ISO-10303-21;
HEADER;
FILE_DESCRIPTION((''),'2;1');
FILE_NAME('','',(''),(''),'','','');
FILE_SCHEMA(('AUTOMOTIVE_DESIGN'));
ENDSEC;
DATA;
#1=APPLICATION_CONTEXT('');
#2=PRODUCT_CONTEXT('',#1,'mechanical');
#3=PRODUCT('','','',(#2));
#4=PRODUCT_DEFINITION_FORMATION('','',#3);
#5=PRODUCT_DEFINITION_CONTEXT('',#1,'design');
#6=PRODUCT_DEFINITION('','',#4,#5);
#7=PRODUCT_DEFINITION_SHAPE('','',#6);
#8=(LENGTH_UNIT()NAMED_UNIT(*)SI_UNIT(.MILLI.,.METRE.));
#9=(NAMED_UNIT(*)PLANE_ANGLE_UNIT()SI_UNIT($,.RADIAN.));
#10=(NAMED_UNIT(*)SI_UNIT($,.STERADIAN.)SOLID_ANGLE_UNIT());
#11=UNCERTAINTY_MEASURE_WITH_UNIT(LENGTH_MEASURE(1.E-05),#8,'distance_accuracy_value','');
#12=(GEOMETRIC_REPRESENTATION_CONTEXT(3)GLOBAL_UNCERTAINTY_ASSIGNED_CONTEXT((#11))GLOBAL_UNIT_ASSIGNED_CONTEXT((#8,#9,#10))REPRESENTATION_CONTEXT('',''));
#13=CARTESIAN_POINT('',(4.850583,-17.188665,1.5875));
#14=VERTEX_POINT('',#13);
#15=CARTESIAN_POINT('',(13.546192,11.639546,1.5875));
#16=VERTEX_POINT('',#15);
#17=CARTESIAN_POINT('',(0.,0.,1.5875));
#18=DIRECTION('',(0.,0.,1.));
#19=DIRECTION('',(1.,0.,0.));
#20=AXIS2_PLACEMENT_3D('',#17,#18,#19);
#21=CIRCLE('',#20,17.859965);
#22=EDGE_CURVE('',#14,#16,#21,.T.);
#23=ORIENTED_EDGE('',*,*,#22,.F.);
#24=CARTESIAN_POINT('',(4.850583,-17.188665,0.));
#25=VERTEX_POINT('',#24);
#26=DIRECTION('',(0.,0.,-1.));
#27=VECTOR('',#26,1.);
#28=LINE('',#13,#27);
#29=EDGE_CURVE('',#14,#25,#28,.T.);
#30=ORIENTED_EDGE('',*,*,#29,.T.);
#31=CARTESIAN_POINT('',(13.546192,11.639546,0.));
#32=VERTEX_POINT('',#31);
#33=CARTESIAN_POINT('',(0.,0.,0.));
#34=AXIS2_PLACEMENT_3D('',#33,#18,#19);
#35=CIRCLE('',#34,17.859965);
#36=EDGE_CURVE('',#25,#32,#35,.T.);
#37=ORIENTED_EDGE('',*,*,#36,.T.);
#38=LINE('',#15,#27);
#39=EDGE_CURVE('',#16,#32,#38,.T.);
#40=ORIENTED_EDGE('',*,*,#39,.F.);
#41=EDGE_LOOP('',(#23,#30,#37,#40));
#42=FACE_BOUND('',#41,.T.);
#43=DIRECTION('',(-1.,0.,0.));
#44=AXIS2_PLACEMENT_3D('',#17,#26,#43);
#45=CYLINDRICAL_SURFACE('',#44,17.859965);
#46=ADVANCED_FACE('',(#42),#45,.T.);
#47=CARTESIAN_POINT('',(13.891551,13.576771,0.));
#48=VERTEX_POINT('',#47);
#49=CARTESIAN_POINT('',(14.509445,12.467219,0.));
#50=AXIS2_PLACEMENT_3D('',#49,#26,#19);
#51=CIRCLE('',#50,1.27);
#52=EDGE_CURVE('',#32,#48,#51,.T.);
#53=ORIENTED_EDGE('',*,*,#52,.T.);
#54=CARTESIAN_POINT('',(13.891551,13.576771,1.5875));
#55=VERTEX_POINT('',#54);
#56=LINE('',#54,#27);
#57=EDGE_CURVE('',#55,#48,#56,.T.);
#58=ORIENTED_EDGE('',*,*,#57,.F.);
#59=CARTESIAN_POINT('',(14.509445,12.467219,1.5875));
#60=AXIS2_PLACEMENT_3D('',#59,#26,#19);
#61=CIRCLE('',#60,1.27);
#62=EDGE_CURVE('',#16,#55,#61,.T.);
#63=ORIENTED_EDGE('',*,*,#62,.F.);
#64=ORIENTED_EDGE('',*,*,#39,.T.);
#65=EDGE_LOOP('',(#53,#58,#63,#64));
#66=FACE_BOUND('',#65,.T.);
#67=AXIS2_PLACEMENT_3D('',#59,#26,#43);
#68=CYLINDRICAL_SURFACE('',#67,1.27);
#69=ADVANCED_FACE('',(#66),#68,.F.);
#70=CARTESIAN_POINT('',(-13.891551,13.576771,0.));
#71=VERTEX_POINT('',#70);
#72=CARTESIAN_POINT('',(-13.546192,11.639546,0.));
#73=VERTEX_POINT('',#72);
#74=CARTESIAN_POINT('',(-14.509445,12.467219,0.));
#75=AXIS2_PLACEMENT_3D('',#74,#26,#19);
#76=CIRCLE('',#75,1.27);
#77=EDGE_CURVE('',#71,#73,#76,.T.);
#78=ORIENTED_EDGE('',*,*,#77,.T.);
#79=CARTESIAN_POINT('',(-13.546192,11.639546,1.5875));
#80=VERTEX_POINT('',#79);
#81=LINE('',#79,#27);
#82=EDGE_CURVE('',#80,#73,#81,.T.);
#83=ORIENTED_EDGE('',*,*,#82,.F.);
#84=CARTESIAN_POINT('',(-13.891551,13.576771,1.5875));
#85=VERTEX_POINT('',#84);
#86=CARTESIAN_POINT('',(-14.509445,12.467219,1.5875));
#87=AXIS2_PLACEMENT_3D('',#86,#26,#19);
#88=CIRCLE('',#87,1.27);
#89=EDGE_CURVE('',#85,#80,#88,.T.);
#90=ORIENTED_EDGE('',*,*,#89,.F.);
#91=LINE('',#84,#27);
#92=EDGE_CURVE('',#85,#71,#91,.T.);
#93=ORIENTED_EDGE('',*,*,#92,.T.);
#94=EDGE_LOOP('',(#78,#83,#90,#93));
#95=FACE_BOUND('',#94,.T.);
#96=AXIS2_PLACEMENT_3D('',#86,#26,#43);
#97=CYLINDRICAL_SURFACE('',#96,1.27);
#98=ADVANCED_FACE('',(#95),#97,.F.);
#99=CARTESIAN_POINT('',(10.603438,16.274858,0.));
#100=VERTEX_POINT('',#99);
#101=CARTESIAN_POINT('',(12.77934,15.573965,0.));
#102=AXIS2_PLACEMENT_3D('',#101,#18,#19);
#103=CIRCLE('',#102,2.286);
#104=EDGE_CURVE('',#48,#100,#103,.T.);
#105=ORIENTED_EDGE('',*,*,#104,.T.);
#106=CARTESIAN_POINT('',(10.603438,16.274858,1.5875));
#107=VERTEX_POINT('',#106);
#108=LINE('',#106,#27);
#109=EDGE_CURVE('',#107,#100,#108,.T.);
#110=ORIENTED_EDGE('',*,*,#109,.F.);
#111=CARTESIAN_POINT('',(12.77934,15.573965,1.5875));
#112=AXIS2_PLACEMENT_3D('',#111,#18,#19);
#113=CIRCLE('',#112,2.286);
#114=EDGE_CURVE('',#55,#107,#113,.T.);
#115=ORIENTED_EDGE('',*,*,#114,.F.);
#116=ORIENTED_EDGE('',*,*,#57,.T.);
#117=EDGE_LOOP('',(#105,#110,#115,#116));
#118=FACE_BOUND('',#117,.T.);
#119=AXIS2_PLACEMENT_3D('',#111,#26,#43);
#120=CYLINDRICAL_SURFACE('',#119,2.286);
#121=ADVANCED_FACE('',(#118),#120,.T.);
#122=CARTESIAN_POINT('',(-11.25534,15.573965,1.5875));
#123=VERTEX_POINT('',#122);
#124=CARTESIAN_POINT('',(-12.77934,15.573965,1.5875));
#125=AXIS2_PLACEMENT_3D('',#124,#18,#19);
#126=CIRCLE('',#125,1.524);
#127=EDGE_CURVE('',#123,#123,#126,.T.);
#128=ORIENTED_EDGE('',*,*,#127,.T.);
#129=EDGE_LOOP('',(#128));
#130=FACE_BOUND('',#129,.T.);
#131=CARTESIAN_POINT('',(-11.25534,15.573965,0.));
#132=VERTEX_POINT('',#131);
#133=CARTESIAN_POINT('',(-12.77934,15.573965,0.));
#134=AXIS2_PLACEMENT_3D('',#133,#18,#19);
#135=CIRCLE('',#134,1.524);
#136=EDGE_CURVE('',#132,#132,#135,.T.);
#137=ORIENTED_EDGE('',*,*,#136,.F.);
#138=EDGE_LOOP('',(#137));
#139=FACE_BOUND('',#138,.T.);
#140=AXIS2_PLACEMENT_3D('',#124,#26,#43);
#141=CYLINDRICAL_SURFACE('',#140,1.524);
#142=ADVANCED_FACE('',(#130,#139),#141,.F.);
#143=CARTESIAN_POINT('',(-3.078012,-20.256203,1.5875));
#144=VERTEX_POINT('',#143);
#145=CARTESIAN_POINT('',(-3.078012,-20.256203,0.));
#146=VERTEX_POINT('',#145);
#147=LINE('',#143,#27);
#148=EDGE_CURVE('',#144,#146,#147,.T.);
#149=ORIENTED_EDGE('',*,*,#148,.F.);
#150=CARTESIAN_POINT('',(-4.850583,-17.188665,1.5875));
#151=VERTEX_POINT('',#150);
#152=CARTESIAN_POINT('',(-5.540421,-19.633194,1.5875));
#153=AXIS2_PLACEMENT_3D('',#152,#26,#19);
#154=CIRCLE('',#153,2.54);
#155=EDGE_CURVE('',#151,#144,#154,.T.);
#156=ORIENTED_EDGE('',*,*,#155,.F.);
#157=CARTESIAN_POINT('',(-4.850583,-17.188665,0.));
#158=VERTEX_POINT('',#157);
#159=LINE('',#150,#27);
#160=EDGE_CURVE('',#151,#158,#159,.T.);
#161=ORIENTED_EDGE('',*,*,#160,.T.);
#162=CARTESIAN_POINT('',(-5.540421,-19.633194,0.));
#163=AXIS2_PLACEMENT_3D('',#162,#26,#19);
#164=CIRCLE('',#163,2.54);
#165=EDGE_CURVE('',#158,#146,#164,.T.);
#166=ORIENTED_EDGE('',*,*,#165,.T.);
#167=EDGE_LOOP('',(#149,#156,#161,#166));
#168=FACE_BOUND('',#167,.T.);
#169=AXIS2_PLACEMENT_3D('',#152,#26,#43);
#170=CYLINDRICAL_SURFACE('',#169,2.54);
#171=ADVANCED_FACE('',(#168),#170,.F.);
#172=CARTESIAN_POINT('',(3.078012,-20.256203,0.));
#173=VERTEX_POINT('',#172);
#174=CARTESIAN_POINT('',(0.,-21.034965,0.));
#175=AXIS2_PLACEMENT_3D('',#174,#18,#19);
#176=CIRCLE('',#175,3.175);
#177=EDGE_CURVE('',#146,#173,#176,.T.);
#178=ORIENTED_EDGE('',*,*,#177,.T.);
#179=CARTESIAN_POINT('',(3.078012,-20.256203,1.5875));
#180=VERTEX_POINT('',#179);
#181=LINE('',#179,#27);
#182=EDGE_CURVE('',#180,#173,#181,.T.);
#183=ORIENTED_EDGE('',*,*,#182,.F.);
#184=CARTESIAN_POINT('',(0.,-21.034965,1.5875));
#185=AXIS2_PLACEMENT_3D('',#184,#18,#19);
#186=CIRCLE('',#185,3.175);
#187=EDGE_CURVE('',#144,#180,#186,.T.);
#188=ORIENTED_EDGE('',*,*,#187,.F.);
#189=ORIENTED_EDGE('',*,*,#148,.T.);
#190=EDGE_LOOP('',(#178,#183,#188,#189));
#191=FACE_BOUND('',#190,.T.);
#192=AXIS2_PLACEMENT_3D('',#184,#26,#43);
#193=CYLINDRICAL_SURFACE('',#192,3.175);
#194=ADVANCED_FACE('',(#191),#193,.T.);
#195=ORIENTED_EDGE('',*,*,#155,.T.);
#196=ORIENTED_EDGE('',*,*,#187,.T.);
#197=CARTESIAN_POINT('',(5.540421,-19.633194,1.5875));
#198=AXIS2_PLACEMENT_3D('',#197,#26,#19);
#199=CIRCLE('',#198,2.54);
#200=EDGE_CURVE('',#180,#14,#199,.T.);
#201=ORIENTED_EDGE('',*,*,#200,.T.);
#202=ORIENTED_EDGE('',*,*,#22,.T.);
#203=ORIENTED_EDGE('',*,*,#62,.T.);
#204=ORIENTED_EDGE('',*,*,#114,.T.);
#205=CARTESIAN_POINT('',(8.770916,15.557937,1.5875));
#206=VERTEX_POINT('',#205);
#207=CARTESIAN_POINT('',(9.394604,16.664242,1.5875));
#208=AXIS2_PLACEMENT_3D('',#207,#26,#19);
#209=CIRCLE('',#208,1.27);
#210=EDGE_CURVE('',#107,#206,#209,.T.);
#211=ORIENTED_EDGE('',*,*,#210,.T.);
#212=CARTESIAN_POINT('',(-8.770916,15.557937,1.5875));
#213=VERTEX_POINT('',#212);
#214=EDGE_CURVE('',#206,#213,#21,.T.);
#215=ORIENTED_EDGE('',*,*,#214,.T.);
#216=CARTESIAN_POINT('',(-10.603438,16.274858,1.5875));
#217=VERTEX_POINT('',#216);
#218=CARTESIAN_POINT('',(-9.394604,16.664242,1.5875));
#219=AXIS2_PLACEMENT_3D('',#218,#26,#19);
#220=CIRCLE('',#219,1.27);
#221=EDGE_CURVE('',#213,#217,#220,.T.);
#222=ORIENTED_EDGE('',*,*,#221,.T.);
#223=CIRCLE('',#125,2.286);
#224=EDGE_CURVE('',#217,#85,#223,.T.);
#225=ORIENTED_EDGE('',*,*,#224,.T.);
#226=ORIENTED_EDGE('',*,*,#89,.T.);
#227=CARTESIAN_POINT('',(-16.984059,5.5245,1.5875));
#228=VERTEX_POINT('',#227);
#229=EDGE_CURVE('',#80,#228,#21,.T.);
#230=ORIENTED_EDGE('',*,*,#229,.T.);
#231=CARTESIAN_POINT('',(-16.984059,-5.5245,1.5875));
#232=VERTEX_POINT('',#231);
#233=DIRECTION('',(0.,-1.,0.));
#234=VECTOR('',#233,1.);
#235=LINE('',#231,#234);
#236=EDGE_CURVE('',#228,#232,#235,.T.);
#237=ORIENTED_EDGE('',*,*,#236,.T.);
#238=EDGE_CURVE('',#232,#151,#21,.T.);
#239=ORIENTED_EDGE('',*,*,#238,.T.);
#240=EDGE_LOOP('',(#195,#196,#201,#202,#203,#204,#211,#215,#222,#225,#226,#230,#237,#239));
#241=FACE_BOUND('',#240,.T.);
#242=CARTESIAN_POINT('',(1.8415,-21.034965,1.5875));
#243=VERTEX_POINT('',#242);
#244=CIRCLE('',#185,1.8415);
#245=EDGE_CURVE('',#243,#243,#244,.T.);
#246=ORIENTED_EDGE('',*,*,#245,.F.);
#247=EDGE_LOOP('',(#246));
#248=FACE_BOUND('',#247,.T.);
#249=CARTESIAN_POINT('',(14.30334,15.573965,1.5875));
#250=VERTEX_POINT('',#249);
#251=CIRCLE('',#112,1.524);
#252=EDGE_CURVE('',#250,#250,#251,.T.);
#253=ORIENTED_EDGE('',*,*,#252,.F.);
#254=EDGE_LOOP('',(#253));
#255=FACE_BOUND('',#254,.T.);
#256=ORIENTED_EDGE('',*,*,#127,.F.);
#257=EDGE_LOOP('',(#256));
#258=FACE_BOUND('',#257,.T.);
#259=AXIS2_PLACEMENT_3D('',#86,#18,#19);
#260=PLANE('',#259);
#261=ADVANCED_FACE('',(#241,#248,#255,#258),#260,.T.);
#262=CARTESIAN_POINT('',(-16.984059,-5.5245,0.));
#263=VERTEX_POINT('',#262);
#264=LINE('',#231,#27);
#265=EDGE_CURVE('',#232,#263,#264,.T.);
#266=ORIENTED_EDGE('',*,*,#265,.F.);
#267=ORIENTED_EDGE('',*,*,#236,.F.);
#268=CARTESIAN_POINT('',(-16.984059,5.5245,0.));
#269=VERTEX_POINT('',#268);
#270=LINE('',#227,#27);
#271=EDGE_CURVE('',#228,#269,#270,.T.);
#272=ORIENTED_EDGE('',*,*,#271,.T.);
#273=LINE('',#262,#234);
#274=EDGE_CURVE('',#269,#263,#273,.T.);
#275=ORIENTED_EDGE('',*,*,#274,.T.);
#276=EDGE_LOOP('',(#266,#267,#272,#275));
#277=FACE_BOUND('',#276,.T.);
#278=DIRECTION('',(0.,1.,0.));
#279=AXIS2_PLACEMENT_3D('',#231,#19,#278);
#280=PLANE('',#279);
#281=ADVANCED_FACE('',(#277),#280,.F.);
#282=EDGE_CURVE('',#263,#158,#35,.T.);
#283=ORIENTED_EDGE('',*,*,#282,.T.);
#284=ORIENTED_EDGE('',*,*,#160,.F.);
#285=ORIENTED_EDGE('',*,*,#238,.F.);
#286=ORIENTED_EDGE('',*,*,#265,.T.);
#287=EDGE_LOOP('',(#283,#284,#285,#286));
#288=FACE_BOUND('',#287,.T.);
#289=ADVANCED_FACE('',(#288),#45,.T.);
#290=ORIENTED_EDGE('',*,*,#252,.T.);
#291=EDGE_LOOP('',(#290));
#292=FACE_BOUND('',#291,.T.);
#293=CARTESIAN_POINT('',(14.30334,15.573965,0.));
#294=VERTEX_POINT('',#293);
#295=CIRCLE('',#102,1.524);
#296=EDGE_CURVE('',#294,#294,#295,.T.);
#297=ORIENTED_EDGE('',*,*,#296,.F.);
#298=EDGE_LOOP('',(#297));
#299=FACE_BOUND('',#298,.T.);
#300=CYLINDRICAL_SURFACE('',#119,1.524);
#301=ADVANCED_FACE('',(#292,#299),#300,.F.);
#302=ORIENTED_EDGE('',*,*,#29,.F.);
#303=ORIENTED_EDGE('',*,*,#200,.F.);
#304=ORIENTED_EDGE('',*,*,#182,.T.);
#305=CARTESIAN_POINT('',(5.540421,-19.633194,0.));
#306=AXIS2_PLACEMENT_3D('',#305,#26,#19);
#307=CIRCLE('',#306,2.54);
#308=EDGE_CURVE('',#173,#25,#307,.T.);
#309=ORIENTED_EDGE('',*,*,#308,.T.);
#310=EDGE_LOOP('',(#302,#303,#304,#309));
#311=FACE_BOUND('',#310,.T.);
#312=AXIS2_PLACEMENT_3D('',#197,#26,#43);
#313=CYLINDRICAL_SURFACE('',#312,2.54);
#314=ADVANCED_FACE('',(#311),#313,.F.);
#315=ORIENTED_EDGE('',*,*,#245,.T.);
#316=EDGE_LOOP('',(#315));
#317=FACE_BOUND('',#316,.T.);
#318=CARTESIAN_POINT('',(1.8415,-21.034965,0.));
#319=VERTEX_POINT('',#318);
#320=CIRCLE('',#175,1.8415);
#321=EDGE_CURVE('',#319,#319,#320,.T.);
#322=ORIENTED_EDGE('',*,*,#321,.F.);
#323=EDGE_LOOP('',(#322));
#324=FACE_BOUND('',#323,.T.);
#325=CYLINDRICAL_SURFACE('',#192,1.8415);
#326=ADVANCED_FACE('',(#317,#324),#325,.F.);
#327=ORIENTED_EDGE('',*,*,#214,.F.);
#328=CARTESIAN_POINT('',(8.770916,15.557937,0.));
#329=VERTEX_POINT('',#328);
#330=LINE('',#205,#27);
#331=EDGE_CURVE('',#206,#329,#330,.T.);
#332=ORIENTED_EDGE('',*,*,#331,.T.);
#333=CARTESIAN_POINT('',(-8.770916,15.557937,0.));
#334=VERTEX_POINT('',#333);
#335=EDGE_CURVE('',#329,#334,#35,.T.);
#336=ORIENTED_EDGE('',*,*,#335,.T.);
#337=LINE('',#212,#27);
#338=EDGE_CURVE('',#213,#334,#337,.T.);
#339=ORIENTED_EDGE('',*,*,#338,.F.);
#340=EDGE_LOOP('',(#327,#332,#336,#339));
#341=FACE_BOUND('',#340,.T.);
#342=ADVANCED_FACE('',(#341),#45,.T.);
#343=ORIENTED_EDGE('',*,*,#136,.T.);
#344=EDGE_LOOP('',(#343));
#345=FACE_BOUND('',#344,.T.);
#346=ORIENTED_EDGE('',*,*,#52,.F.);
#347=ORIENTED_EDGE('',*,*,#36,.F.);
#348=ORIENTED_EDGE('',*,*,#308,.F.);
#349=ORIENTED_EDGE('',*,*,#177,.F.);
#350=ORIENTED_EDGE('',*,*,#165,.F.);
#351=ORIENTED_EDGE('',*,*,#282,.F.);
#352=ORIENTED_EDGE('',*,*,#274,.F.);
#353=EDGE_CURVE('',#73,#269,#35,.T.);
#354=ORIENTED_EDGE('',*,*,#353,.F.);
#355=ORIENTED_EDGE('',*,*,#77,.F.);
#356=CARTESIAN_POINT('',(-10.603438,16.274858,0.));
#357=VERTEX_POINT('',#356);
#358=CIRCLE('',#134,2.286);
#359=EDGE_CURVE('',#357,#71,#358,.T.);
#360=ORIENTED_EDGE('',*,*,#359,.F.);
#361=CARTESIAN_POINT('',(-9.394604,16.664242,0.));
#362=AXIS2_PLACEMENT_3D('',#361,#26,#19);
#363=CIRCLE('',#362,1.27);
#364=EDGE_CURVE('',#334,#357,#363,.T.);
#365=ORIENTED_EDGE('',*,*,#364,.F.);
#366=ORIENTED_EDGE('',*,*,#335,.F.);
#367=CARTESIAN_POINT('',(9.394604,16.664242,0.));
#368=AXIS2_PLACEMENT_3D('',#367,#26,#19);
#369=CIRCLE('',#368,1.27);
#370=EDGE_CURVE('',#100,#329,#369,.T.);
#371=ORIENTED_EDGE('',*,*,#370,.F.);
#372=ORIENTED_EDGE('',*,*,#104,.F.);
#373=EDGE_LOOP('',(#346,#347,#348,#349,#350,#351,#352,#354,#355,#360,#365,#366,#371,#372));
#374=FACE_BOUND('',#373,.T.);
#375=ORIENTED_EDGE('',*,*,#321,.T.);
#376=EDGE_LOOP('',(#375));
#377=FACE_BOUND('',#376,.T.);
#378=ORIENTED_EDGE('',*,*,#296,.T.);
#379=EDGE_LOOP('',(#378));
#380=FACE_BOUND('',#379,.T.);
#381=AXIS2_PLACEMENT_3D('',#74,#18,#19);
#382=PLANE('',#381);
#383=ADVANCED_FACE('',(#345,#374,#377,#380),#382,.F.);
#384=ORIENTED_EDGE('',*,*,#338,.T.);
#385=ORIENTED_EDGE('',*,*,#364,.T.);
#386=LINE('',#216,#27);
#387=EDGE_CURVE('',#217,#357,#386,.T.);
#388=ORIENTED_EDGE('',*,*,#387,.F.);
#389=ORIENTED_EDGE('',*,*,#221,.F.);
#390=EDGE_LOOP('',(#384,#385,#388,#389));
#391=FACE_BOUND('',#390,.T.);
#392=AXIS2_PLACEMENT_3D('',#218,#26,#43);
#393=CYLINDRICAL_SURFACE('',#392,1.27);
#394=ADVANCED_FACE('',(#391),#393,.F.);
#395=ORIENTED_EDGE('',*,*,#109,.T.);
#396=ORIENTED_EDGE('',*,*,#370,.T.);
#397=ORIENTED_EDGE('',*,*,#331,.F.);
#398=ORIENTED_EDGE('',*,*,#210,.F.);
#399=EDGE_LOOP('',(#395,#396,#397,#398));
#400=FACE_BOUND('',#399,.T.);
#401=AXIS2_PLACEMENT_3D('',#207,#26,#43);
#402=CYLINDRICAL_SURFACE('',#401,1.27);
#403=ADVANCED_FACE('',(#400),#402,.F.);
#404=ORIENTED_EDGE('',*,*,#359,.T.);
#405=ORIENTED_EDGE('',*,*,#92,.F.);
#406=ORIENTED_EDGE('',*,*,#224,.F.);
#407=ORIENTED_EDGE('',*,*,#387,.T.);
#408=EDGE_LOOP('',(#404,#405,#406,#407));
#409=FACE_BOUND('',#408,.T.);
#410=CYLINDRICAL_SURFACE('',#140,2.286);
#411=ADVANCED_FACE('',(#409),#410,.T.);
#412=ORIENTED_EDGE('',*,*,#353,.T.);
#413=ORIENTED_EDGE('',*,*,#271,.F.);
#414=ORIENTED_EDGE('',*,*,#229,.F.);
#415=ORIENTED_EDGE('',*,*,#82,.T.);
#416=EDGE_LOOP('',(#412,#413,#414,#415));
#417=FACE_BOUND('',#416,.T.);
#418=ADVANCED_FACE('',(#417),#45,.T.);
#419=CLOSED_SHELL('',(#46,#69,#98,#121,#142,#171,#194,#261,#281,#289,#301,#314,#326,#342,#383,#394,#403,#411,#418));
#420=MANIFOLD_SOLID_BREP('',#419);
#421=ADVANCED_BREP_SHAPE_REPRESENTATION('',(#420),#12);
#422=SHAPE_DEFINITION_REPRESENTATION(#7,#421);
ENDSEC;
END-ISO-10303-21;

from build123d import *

# Parameters (mm, degrees)
SKETCH1_R           = 1.8415
SKETCH1_R_2         = 1.524
BOSS_EXTRUDE1_DEPTH = 1.5875


with BuildPart() as part:
    # Sketch1 → Boss-Extrude1 (new body)
    with BuildSketch(Plane.XY):
        with BuildLine():
            Line((-16.984058744, -5.5245), (-16.984058744, 5.5245))
            ThreePointArc((-16.984058744, 5.5245), (-15.568317368, 8.752476564), (-13.546192494, 11.63954555))
            ThreePointArc((-13.546192494, 11.63954555), (-13.259158261, 12.690113591), (-13.891550513, 13.576771304))
            ThreePointArc((-13.891550513, 13.576771304), (-14.229434947, 17.341171737), (-10.60343846, 16.274857526))
            ThreePointArc((-10.60343846, 16.274857526), (-9.857305878, 15.481530337), (-8.770915553, 15.557936625))
            ThreePointArc((-8.770915553, 15.557936625), (0, 17.859965052), (8.770915553, 15.557936625))
            ThreePointArc((8.770915553, 15.557936625), (9.857305878, 15.481530337), (10.60343846, 16.274857526))
            ThreePointArc((10.60343846, 16.274857526), (14.229434947, 17.341171737), (13.891550513, 13.576771304))
            ThreePointArc((13.891550513, 13.576771304), (13.259158261, 12.690113591), (13.546192494, 11.63954555))
            ThreePointArc((13.546192494, 11.63954555), (17.099028169, -5.157672667), (4.850582957, -17.188664772))
            ThreePointArc((4.850582957, -17.188664772), (3.34119056, -18.362373067), (3.078011585, -20.256203417))
            ThreePointArc((3.078011585, -20.256203417), (0, -24.209965052), (-3.078011585, -20.256203417))
            ThreePointArc((-3.078011585, -20.256203417), (-3.34119056, -18.362373067), (-4.850582957, -17.188664772))
            ThreePointArc((-4.850582957, -17.188664772), (-12.377442365, -12.875452309), (-16.984058744, -5.5245))
        make_face()
        with Locations((0, -21.034965052)):
            Circle(SKETCH1_R, mode=Mode.SUBTRACT)
        with Locations((-12.779339593, 15.573965052)):
            Circle(SKETCH1_R_2, mode=Mode.SUBTRACT)
        with Locations((12.779339593, 15.573965052)):
            Circle(SKETCH1_R_2, mode=Mode.SUBTRACT)
    extrude(amount=BOSS_EXTRUDE1_DEPTH)


solid = part.part
